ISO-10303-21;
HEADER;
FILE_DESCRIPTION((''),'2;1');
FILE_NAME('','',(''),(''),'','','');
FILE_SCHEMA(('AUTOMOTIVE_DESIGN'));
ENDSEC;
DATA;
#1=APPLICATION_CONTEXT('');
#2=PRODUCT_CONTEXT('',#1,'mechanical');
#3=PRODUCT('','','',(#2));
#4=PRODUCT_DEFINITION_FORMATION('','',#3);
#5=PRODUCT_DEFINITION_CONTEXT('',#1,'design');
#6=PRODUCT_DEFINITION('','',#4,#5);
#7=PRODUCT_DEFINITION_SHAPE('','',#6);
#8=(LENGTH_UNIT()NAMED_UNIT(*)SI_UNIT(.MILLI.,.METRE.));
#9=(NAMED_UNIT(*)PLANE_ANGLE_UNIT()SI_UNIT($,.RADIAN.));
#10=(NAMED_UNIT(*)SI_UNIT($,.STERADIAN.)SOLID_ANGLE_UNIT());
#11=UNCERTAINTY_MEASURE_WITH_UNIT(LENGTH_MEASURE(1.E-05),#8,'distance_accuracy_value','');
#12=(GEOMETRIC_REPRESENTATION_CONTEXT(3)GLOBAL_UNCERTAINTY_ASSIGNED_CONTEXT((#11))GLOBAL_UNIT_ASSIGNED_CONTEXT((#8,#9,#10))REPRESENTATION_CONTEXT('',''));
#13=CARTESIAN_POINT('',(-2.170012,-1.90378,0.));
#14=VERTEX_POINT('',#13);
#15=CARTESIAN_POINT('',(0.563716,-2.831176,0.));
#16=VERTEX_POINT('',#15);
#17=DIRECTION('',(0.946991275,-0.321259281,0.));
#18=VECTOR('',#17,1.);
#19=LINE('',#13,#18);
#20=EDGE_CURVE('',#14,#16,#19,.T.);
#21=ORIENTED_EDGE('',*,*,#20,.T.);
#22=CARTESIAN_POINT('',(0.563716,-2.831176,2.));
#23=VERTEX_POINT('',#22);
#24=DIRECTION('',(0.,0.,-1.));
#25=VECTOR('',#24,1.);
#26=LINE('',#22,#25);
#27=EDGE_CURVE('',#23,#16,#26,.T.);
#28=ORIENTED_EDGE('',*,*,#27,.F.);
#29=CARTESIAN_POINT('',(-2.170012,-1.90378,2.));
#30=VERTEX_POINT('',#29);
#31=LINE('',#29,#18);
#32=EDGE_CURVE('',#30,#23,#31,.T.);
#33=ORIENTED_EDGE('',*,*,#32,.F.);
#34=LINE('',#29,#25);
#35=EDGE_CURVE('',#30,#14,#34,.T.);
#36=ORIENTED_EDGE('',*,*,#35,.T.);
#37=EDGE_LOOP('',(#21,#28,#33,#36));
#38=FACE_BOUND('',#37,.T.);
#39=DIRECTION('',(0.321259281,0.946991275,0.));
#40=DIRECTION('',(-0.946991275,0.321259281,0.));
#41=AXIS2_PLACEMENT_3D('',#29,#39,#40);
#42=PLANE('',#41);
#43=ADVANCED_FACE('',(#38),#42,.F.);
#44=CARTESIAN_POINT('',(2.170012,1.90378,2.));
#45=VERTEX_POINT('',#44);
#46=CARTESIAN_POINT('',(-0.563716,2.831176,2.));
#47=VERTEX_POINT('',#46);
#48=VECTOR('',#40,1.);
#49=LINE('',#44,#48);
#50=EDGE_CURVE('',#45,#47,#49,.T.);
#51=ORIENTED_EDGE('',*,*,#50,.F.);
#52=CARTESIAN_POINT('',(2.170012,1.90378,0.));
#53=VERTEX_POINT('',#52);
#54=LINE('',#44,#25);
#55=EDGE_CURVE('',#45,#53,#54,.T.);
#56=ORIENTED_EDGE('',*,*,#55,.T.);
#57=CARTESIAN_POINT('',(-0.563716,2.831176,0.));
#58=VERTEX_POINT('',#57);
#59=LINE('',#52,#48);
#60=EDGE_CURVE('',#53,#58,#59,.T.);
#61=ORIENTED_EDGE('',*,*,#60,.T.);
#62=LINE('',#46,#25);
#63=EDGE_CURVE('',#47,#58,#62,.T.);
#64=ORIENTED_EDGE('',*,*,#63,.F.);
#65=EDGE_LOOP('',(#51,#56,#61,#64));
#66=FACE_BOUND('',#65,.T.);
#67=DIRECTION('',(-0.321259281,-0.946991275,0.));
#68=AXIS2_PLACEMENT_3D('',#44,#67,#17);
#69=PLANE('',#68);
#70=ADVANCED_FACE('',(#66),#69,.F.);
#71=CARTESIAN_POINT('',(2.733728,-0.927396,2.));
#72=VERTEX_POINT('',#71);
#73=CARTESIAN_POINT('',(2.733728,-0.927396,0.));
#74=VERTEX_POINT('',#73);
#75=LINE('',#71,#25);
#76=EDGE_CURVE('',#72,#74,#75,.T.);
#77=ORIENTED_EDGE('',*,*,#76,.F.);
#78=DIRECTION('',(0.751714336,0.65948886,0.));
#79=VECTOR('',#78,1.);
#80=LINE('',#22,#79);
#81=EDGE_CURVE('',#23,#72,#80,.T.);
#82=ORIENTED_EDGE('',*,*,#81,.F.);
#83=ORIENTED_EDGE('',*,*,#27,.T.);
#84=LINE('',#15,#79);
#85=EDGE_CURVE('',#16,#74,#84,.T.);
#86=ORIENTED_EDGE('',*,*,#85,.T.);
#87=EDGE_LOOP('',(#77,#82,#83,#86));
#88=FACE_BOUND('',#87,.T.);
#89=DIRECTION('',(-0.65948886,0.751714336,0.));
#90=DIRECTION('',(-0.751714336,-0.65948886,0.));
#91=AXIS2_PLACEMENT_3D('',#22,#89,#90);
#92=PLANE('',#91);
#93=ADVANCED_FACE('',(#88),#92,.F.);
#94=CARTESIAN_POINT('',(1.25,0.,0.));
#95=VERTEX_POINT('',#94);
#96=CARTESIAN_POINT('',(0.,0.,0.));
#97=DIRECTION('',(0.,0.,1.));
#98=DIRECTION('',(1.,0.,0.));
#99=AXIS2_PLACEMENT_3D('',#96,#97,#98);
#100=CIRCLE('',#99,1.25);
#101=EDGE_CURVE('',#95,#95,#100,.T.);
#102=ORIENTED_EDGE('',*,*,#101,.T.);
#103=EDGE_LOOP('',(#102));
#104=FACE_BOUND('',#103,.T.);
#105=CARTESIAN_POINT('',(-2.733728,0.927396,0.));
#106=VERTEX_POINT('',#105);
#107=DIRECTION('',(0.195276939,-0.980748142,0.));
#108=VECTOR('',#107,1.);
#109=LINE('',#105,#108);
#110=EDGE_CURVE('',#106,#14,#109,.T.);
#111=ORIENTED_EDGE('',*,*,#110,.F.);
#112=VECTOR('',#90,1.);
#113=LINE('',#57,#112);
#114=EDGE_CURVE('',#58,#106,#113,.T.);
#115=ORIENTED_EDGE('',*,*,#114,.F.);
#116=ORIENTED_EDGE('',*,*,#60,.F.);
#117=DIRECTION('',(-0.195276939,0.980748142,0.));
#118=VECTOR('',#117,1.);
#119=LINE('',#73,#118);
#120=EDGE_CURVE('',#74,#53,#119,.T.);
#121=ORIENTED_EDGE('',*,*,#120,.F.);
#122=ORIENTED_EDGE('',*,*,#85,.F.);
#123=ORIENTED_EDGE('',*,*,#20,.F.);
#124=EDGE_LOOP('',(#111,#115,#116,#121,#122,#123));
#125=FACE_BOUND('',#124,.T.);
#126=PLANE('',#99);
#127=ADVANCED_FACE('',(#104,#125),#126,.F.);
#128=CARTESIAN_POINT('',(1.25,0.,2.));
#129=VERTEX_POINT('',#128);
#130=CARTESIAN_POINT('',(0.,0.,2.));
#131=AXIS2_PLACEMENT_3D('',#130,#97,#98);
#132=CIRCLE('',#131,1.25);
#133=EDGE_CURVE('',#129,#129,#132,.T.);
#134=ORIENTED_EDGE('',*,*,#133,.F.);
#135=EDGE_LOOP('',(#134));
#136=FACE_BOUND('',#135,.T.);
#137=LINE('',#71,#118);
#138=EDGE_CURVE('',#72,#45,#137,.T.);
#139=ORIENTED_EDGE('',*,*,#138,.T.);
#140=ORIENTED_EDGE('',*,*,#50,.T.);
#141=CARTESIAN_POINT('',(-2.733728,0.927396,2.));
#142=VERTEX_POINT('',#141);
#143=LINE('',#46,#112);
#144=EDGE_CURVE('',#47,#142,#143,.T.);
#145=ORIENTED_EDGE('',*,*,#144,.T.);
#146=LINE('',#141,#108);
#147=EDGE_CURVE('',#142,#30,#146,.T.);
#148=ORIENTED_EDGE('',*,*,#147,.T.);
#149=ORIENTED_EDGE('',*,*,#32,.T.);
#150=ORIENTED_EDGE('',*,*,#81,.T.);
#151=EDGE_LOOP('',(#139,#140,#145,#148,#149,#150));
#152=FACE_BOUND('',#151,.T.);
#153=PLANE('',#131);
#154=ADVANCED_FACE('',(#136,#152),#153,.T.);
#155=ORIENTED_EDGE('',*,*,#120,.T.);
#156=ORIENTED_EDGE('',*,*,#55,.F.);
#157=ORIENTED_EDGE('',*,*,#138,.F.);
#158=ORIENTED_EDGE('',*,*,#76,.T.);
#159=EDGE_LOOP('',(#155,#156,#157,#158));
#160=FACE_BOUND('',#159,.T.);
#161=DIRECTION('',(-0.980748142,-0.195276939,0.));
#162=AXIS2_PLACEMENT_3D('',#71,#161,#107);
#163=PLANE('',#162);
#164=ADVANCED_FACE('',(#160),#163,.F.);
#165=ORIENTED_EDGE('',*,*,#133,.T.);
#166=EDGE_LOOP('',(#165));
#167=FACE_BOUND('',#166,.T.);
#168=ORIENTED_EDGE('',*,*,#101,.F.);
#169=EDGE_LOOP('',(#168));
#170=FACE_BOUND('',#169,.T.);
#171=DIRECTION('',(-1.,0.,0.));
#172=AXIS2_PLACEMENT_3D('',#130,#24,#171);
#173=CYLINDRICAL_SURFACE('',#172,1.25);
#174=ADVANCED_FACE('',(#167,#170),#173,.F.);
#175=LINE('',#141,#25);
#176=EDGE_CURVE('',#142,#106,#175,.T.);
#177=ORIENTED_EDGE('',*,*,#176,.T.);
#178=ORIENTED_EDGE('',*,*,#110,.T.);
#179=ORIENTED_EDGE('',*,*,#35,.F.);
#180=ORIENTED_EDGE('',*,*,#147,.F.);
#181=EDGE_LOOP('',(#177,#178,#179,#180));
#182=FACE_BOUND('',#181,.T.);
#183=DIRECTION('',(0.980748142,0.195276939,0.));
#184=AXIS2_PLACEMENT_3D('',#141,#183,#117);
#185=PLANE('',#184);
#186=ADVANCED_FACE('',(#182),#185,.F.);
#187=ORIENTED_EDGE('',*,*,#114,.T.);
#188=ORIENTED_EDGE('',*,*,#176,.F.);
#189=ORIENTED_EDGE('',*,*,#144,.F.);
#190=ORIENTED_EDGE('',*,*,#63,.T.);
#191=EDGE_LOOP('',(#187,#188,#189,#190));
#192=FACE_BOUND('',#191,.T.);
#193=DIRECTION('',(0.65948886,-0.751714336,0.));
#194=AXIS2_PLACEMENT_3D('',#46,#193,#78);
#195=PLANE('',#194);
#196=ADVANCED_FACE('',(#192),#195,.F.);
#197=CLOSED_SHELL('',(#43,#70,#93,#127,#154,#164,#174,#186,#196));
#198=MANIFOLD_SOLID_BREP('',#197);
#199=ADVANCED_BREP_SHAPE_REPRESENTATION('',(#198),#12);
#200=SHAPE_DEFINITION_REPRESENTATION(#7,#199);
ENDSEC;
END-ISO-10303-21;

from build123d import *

# Parameters (mm, degrees)
SKETCH_1_R      = 1.25
EXTRUDE_1_DEPTH = 2


with BuildPart() as part:
    # 草图1 → 凸台-拉伸1 (new body)
    with BuildSketch(Plane.XY):
        Polygon((2.733728337, -0.927395663), (2.170012372, 1.903780355), (-0.563715965, 2.831176018), (-2.733728337, 0.927395663), (-2.170012372, -1.903780355), (0.563715965, -2.831176018), align=None)
        Circle(SKETCH_1_R, mode=Mode.SUBTRACT)
    extrude(amount=EXTRUDE_1_DEPTH)


solid = part.part
